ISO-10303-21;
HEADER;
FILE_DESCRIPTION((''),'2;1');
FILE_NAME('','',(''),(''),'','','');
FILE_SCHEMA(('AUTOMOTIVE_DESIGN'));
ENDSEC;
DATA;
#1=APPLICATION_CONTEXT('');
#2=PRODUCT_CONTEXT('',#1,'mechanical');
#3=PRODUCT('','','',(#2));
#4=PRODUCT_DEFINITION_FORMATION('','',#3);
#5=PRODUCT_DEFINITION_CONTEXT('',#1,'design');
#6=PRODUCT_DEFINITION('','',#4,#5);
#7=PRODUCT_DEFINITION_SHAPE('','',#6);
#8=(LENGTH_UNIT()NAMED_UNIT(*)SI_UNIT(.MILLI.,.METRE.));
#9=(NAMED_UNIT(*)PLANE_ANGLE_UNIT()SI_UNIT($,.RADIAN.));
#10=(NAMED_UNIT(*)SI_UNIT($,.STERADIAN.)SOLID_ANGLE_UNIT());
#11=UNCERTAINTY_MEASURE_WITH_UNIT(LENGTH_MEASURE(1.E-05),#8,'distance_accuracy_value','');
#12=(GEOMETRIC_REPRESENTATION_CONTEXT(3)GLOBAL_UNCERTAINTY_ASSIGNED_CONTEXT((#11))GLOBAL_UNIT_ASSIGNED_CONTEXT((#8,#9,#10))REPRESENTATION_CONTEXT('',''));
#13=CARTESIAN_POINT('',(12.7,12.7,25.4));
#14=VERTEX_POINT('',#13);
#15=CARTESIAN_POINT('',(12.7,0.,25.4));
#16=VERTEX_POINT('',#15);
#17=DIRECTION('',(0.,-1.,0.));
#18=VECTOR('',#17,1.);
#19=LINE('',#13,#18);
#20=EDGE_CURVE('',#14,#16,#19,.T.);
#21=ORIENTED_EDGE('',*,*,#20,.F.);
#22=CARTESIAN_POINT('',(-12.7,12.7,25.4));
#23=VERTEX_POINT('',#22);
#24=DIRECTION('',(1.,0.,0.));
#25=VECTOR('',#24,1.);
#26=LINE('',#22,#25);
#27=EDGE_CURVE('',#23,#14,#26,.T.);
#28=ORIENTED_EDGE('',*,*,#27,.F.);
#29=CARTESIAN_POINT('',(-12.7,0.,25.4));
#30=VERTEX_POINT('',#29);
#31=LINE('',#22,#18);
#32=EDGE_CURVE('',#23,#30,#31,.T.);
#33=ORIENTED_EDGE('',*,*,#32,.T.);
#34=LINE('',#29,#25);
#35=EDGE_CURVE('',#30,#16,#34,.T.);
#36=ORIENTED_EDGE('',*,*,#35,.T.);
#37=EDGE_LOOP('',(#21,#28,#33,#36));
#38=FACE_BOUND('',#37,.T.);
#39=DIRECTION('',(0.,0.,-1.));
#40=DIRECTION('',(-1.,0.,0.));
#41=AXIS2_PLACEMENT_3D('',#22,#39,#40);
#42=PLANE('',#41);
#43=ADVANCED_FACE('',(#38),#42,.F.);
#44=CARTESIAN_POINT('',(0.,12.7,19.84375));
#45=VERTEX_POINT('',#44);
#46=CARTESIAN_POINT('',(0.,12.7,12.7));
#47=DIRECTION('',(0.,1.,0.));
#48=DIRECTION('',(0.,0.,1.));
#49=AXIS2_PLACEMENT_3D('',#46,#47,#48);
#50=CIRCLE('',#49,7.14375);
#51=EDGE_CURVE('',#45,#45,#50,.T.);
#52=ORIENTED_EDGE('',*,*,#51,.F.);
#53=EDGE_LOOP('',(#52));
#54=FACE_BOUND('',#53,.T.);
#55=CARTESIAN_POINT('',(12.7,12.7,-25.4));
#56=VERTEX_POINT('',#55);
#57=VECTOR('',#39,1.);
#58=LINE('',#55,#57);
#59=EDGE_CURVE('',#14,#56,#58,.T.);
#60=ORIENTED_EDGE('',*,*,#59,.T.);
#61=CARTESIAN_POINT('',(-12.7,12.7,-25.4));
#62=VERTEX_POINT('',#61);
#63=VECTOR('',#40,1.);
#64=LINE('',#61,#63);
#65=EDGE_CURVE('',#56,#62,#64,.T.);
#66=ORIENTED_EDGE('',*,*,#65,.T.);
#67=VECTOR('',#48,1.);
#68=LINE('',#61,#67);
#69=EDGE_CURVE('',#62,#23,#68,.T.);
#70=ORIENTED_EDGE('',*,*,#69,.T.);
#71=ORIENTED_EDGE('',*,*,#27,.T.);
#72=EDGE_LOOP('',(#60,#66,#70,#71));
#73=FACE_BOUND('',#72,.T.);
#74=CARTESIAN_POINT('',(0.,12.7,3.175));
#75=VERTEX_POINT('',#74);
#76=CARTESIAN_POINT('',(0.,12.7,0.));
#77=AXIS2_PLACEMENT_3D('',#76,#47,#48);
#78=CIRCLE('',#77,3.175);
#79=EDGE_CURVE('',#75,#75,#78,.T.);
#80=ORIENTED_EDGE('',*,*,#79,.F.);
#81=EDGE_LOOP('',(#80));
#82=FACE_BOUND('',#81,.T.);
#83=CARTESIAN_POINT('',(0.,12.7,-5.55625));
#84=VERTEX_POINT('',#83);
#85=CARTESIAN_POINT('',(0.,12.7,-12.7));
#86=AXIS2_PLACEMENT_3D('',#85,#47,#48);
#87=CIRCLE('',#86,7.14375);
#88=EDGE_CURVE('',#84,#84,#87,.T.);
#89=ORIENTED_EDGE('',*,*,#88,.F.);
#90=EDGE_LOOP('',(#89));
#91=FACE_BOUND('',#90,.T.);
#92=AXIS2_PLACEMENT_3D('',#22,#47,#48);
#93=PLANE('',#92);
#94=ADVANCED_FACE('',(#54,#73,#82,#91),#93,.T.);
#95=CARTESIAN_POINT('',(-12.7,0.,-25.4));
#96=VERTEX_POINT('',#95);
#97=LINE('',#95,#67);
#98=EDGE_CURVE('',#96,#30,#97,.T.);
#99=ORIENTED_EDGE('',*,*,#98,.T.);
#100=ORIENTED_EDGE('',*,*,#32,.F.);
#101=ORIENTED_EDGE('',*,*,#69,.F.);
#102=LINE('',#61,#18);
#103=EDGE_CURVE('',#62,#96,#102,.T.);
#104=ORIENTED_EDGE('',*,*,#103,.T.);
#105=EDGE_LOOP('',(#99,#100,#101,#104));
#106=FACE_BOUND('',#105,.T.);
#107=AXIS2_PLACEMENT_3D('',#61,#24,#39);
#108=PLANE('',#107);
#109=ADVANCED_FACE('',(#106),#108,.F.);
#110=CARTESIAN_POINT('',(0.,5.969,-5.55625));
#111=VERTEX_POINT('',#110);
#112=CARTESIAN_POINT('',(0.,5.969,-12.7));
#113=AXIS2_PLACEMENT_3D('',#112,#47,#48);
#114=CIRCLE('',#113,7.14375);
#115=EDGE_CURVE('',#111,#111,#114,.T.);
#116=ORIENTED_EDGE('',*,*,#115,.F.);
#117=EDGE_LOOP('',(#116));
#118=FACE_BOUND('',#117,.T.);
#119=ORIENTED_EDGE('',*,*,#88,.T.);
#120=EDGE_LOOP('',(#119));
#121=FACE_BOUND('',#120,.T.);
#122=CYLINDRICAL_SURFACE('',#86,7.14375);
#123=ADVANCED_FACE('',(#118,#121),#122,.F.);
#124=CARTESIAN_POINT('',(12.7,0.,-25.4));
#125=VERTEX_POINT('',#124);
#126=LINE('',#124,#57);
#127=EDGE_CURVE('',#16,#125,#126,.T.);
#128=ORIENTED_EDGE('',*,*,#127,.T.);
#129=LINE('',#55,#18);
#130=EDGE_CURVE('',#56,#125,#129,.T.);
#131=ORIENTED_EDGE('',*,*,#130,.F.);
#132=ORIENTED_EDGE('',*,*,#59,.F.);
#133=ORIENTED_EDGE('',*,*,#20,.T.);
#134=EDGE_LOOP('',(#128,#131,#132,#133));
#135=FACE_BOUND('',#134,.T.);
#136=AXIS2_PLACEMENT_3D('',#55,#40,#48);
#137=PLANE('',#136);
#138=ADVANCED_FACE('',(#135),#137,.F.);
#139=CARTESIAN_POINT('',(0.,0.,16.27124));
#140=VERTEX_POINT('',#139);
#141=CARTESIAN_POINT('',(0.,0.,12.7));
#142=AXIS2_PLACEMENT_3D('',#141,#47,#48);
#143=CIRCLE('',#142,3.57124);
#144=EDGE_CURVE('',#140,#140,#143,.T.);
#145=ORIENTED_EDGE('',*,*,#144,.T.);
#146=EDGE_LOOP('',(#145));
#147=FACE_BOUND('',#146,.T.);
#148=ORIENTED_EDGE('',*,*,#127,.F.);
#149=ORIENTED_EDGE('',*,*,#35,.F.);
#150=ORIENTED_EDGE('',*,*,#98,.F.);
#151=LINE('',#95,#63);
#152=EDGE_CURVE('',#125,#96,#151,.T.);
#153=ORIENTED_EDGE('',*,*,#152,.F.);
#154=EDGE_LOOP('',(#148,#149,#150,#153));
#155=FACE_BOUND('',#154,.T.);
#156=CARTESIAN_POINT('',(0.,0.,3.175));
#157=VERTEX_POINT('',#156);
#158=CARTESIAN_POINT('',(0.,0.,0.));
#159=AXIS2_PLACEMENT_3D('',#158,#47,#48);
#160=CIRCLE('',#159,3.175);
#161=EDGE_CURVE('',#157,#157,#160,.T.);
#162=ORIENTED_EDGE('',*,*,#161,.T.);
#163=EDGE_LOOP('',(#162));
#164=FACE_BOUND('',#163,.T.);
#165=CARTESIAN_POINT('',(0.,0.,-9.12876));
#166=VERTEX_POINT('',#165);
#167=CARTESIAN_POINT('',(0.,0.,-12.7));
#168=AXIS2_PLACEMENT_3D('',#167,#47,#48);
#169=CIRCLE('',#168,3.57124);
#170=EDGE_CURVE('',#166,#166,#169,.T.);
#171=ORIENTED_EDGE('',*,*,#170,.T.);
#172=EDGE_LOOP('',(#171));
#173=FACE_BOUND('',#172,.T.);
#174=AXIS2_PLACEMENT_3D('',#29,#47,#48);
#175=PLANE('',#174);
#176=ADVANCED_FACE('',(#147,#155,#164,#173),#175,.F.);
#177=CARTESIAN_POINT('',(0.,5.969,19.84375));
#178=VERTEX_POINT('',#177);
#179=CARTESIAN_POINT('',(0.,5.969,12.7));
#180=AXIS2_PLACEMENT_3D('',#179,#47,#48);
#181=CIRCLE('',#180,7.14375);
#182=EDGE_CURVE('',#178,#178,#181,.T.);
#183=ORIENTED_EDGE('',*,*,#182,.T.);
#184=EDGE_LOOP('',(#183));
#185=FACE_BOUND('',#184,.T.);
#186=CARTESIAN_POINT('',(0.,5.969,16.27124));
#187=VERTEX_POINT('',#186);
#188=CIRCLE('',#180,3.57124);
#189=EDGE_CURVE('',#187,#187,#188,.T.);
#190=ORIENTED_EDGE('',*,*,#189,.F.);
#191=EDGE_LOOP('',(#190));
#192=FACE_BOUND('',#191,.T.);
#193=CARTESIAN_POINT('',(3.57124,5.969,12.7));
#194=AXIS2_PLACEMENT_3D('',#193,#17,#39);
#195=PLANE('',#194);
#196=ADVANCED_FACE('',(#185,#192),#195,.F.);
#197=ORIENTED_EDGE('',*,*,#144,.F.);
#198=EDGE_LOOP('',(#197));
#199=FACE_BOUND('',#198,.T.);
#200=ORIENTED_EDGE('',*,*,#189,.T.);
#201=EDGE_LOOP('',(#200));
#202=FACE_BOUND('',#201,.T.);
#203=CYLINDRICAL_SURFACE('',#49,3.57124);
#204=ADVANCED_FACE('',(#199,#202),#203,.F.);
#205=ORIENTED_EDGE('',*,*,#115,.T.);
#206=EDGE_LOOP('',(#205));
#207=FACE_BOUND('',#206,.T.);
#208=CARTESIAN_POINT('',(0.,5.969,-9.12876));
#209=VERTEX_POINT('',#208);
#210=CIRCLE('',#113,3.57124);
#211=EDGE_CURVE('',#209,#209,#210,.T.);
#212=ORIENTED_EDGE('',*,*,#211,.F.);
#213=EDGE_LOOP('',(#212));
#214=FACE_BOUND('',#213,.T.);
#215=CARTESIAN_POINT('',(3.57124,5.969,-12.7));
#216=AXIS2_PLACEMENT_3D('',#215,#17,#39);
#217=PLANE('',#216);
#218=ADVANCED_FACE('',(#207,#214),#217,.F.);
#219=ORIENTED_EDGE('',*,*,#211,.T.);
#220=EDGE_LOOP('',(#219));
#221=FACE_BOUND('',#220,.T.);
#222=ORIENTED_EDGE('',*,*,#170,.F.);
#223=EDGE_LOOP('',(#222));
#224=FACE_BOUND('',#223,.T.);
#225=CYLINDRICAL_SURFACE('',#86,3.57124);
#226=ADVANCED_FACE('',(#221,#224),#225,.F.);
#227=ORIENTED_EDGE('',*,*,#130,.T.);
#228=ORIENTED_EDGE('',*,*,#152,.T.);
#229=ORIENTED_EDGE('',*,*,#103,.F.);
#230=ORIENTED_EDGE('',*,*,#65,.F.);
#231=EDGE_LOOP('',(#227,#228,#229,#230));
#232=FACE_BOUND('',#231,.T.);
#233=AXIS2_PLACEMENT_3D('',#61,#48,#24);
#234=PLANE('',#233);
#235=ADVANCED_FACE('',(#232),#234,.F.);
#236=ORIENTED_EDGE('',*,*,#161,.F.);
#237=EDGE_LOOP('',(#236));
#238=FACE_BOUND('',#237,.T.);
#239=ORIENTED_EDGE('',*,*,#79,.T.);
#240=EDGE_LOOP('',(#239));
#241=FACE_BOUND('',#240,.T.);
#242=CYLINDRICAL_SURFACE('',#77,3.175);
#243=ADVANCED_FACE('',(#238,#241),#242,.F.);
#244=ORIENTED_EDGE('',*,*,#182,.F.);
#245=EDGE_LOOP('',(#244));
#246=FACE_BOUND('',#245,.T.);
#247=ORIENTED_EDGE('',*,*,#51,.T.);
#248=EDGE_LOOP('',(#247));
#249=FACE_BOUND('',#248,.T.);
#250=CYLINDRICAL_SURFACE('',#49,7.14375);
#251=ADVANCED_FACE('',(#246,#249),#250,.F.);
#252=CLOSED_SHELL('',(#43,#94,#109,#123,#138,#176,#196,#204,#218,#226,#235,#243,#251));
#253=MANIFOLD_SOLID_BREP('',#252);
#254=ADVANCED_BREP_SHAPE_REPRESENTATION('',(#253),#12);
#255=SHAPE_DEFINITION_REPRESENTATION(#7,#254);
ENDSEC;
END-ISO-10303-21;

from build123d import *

# Parameters (mm, degrees)
SKETCH1_W                                            = 25.4
SKETCH1_H                                            = 50.8
EXTRUDE1_DEPTH                                       = 12.7
F_1_4_0_25_DIAMETER_HOLE1_D                          = 6.35
CBORE_FOR_1_4_BINDING_HEAD_MACHINE_SCREW_D           = 7.14248
CBORE_FOR_1_4_BINDING_HEAD_MACHINE_SCREW_CBORE_D     = 14.2875
CBORE_FOR_1_4_BINDING_HEAD_MACHINE_SCREW_CBORE_DEPTH = 6.731


with BuildPart() as part:
    # Sketch1 → Extrude1 (new body)
    with BuildSketch(Plane(origin=(0, 0, 0), x_dir=(1, 0, 0), z_dir=(0, 1, 0))):
        Rectangle(SKETCH1_W, SKETCH1_H)
    extrude(amount=EXTRUDE1_DEPTH)

    # 1/4 (0.25) Diameter Hole1 (through all)
    with Locations(Plane(origin=(0, 12.7, 0), x_dir=(-1, 0, 0), z_dir=(0, 1, 0))):
        with Locations((0, 0)):
            Hole(F_1_4_0_25_DIAMETER_HOLE1_D / 2)

    # CBORE for 1/4 Binding Head Machine Screw1 (through all)
    with Locations(Plane(origin=(0, 12.7, 0), x_dir=(-1, 0, 0), z_dir=(0, 1, 0))):
        with Locations((0, -12.7), (0, 12.7)):
            CounterBoreHole(CBORE_FOR_1_4_BINDING_HEAD_MACHINE_SCREW_D / 2, CBORE_FOR_1_4_BINDING_HEAD_MACHINE_SCREW_CBORE_D / 2, CBORE_FOR_1_4_BINDING_HEAD_MACHINE_SCREW_CBORE_DEPTH)


solid = part.part
